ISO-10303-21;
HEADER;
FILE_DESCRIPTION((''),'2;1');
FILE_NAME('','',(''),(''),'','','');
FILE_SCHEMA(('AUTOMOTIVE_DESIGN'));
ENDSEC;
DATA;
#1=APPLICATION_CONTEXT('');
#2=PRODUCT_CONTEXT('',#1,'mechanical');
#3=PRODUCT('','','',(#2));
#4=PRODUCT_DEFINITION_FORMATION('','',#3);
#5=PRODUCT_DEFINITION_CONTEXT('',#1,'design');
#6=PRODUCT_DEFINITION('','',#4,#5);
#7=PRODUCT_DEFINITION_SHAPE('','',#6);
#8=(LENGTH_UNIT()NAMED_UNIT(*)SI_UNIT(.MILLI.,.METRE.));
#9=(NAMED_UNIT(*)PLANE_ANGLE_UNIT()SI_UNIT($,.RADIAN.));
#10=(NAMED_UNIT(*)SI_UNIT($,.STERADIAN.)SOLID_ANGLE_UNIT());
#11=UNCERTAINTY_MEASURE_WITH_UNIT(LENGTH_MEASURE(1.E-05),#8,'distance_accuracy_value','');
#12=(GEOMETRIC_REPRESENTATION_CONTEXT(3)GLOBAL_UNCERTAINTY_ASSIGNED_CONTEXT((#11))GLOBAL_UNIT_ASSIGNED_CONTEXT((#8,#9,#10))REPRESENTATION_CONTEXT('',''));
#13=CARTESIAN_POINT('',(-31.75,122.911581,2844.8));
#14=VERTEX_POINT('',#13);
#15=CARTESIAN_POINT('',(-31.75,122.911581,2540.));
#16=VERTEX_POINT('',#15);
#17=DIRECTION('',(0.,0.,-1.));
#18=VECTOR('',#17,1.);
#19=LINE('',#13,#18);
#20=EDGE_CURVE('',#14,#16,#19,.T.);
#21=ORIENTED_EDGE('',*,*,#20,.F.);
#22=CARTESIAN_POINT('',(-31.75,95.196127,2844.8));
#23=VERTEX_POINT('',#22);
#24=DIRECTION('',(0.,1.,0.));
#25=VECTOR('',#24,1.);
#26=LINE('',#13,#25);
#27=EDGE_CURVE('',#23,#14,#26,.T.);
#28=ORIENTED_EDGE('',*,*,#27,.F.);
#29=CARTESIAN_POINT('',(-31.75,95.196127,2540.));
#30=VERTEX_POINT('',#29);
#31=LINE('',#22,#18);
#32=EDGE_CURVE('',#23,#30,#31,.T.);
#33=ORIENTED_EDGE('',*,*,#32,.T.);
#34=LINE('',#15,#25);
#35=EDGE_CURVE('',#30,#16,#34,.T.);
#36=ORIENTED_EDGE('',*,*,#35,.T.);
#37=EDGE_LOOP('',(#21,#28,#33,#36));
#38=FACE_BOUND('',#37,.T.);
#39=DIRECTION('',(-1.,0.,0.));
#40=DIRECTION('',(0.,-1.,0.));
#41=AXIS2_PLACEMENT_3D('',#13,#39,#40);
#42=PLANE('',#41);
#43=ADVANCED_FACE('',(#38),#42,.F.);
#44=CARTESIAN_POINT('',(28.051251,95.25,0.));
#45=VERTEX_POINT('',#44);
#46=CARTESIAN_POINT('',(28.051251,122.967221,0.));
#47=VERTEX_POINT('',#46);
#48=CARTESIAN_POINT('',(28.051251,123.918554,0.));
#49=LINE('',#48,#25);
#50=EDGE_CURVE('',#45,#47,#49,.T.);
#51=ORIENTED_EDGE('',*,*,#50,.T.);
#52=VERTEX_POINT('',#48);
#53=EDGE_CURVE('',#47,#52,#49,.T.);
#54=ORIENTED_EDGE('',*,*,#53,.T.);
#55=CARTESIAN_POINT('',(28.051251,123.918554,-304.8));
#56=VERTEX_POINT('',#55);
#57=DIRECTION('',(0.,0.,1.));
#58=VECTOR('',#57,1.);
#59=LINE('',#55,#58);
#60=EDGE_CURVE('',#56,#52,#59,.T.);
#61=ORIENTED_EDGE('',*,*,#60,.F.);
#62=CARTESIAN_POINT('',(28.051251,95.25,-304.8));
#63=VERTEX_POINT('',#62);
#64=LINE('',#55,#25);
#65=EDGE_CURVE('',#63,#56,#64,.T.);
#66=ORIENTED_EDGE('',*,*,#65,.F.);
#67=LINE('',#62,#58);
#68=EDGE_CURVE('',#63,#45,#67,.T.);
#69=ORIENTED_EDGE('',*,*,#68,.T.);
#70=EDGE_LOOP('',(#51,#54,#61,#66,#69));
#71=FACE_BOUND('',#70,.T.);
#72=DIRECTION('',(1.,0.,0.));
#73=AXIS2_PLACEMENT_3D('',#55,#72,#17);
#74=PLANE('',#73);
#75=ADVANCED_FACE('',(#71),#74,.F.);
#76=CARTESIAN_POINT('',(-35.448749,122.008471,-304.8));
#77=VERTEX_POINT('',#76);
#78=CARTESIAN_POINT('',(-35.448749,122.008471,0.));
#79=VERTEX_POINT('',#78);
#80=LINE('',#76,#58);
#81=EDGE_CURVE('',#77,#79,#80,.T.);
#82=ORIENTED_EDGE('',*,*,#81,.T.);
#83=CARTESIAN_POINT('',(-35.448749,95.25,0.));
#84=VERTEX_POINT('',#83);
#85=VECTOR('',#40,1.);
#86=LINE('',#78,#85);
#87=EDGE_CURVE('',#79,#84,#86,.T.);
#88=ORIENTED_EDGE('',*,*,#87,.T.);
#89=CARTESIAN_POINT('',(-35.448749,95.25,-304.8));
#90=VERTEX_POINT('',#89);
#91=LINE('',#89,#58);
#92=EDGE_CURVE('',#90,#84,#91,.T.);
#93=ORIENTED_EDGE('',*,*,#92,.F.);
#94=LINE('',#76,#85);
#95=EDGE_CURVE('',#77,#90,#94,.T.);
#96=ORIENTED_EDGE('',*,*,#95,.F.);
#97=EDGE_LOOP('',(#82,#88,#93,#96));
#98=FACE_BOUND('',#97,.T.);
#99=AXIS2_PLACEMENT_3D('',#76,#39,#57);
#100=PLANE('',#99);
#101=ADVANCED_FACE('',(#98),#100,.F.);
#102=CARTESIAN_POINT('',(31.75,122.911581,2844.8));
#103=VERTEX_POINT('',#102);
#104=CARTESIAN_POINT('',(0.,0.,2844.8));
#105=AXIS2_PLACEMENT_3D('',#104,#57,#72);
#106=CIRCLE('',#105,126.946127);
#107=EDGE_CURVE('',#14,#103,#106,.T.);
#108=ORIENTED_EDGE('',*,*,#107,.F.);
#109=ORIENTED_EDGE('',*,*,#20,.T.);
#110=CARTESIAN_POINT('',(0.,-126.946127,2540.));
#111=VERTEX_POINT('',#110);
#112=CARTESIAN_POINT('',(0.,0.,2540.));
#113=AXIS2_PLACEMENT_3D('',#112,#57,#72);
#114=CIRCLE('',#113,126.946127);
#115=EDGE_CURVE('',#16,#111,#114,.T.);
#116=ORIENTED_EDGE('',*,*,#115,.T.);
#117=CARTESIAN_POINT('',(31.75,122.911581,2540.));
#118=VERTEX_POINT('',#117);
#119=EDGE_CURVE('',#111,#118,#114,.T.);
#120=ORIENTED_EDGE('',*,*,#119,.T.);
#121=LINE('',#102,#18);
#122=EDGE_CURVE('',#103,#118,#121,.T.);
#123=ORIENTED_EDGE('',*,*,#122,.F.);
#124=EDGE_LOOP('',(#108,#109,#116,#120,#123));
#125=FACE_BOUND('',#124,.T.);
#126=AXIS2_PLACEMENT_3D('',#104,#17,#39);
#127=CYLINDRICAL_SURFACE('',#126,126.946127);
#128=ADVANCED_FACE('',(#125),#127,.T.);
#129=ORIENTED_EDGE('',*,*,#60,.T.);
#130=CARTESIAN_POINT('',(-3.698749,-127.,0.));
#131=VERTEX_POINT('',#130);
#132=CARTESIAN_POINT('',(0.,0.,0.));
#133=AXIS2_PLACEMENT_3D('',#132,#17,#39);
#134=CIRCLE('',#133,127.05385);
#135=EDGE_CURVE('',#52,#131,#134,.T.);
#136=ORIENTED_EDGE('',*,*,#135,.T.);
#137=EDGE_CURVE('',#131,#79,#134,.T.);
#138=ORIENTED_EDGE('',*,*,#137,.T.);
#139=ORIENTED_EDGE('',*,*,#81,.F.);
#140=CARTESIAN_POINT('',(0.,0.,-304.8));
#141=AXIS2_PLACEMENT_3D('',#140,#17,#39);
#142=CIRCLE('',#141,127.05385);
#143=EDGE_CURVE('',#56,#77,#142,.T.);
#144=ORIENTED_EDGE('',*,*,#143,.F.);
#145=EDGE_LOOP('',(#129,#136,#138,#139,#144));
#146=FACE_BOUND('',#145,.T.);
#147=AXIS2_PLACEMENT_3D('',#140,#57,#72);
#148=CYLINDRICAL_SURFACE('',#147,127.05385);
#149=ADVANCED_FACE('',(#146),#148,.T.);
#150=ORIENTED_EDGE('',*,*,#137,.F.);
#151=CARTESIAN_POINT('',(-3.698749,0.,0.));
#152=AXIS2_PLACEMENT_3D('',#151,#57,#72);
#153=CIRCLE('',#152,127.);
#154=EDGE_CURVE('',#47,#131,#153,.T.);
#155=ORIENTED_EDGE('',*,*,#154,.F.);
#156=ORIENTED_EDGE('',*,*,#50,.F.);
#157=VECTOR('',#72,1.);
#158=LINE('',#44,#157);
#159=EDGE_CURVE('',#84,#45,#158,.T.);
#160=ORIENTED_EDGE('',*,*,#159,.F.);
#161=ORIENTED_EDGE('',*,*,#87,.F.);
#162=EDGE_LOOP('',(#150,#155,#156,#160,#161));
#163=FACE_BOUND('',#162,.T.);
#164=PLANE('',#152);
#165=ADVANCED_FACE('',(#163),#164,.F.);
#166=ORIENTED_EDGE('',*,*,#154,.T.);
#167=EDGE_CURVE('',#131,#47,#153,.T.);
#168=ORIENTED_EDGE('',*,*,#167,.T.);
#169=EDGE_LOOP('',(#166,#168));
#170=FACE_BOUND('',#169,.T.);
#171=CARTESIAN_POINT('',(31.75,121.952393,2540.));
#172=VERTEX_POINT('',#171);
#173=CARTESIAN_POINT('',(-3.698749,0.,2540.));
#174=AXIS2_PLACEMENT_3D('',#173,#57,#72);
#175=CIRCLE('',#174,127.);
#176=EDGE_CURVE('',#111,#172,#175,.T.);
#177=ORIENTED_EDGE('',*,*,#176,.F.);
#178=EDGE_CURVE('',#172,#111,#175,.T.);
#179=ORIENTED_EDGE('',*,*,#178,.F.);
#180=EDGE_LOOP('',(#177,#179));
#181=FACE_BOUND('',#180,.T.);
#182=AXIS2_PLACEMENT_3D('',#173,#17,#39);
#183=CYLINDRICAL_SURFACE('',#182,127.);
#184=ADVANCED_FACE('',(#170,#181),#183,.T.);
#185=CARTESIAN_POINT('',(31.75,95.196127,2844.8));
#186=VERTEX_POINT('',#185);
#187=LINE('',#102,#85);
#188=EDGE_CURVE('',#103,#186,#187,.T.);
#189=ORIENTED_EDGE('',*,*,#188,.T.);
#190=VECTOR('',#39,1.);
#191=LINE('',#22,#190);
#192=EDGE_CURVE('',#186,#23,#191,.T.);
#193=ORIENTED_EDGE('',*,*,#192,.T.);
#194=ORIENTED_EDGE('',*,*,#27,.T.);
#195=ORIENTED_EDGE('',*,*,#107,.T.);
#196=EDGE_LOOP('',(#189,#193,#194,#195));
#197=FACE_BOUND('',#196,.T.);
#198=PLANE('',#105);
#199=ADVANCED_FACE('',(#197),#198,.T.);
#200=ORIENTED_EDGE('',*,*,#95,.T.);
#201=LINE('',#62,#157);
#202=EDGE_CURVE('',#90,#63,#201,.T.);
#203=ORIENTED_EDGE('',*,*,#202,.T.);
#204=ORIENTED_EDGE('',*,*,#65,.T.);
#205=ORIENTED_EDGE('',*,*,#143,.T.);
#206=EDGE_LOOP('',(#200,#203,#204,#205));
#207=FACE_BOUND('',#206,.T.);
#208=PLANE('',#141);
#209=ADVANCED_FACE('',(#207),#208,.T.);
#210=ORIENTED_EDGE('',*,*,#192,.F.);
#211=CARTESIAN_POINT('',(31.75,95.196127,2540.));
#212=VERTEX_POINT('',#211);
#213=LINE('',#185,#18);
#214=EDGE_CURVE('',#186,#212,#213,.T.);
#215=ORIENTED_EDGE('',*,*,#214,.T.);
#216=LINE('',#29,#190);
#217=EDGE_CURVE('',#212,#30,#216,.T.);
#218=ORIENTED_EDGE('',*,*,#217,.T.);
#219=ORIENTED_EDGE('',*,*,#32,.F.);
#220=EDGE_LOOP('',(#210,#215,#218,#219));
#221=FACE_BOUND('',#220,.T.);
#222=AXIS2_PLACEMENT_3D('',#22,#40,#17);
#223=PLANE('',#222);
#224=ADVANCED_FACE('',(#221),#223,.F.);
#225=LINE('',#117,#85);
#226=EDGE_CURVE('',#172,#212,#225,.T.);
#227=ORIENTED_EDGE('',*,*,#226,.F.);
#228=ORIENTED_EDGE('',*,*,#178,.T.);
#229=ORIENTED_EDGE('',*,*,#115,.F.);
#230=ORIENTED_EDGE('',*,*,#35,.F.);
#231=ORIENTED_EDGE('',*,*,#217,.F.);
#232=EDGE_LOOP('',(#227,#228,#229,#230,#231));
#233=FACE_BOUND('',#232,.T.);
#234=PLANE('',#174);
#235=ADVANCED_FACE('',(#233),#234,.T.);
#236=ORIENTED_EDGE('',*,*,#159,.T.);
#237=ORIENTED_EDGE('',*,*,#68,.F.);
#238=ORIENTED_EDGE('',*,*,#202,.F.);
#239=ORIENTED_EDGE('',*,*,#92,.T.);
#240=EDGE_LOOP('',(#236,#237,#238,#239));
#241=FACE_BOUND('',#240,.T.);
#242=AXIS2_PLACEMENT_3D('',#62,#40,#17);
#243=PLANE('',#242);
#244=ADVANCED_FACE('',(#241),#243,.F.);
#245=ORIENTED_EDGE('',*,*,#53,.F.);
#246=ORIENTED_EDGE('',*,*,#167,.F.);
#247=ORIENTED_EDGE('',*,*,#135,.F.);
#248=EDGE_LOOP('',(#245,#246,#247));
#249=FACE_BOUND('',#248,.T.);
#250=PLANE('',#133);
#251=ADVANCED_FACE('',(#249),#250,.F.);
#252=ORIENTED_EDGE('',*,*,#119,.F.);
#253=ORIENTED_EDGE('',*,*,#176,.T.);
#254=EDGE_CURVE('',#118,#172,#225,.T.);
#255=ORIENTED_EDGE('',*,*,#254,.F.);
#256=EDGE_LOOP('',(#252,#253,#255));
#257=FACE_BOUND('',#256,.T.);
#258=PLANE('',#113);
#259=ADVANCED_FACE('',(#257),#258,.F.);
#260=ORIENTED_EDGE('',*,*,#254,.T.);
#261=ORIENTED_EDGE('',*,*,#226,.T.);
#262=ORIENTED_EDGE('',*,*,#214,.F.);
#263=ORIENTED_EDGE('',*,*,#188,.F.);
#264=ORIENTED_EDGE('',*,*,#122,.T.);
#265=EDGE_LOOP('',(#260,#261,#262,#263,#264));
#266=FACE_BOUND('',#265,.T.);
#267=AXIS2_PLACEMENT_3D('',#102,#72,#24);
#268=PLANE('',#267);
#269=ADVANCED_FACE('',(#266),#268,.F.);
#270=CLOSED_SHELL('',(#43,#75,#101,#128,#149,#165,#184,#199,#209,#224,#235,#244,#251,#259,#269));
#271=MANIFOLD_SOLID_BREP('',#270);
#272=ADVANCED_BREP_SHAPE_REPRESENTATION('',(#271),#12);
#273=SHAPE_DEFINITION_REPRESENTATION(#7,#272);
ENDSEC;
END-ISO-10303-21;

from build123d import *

# Parameters (mm, degrees)
SKETCH2_R           = 127
BOSS_EXTRUDE1_DEPTH = 2540
BOSS_EXTRUDE2_DEPTH = 304.8
BOSS_EXTRUDE3_DEPTH = 304.8


with BuildPart() as part:
    # Sketch2 → Boss-Extrude1 (new body)
    with BuildSketch(Plane.XY):
        with Locations((-3.698748578, 0)):
            Circle(SKETCH2_R)
    extrude(amount=BOSS_EXTRUDE1_DEPTH)

    # Sketch4 → Boss-Extrude2 (add)
    with BuildSketch(Plane.XY.offset(2540)):
        with BuildLine():
            Line((-31.75, 122.911581061), (-31.75, 95.196127389))
            Line((-31.75, 95.196127389), (31.75, 95.196127389))
            Line((31.75, 95.196127389), (31.75, 122.911581061))
            ThreePointArc((31.75, 122.911581061), (0, -126.946127389), (-31.75, 122.911581061))
        make_face()
    extrude(amount=BOSS_EXTRUDE2_DEPTH)

    # Sketch5 → Boss-Extrude3 (add)
    with BuildSketch(Plane(origin=(0, 0, 0), x_dir=(-1, 0, 0), z_dir=(0, 0, -1))):
        with BuildLine():
            Line((-28.051251422, 123.918554037), (-28.051251422, 95.25))
            Line((-28.051251422, 95.25), (35.448748578, 95.25))
            Line((35.448748578, 95.25), (35.448748578, 122.008470875))
            ThreePointArc((35.448748578, 122.008470875), (-3.820058306, -126.996408987), (-28.051251422, 123.918554037))
        make_face()
    extrude(amount=BOSS_EXTRUDE3_DEPTH)


solid = part.part
